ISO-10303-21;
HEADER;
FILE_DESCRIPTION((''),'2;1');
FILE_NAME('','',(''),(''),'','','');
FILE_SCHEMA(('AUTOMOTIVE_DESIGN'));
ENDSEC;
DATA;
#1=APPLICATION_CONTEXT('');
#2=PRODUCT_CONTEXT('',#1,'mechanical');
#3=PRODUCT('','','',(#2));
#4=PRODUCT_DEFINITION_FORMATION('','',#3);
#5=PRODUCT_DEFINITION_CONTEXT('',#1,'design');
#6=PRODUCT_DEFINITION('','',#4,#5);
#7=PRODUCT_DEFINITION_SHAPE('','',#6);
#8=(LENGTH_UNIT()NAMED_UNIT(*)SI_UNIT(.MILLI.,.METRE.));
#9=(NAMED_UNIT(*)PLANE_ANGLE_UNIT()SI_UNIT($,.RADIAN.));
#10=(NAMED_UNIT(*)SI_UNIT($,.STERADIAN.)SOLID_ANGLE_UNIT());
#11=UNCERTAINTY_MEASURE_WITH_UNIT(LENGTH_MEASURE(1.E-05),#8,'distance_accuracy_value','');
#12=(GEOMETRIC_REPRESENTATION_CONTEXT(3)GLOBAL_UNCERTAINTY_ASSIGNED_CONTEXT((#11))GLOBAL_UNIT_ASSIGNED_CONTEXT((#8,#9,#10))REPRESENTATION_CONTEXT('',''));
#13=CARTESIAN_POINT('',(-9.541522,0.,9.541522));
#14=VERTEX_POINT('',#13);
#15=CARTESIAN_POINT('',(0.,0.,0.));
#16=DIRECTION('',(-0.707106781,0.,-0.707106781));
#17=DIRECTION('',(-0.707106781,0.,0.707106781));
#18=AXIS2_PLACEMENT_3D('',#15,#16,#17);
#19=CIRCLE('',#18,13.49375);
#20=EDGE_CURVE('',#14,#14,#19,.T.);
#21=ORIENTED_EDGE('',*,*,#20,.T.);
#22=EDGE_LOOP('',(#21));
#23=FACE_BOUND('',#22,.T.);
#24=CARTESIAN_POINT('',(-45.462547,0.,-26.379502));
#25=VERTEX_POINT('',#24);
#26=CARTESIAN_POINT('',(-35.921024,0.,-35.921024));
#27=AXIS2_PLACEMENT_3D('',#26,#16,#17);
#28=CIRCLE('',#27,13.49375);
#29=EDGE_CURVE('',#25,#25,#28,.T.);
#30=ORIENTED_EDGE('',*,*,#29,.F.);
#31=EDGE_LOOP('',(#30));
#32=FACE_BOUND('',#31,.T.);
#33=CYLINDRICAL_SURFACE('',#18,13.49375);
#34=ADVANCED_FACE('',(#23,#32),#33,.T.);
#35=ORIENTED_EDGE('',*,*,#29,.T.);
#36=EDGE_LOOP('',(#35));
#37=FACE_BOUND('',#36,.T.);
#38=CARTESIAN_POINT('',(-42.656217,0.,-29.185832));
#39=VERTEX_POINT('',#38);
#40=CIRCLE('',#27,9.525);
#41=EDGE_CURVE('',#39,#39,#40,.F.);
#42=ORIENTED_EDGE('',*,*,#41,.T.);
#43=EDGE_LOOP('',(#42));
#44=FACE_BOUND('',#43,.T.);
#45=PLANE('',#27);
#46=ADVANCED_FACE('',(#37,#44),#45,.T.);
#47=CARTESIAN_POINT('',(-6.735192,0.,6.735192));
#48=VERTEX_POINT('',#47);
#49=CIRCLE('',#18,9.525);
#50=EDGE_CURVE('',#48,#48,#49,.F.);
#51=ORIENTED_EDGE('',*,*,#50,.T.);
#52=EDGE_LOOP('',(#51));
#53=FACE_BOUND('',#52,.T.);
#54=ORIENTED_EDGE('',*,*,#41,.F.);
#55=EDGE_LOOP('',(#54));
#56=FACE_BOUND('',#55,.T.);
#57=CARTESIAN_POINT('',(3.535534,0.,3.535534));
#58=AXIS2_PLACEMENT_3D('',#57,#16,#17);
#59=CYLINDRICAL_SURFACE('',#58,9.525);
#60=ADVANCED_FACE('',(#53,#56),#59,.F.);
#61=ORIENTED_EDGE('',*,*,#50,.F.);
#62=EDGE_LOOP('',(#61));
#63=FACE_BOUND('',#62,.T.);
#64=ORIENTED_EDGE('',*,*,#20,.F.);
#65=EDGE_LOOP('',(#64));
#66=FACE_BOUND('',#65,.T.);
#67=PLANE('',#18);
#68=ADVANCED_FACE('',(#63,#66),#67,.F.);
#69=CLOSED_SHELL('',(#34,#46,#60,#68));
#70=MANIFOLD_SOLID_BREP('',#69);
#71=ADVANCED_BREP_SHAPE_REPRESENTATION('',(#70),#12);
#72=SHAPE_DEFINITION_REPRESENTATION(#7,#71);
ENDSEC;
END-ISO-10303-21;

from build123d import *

# Parameters (mm, degrees)
SWEEP1_PROFILE_R     = 13.49375
CUT_SWEEP1_PROFILE_R = 9.525


with BuildPart() as part:
    # Sweep1: sweep along a path in Sketch1
    with BuildLine(Plane(origin=(0, 0, 0), x_dir=(1, 0, 0), z_dir=(0, 1, 0))) as sweep1_path:
        Line((0, 0), (-35.921024484, 35.921024484))
    # Sweep1 profile (on start of the path) → Sweep1 (sweep)
    with BuildSketch(Plane(origin=(0, 0, 0), x_dir=(-0.7071067811865476, 0, 0.7071067811865476), z_dir=(-0.7071067811865476, 0, -0.7071067811865476))):
        Circle(SWEEP1_PROFILE_R)
    sweep(path=sweep1_path.line)

    # Cut-Sweep1: sweep along a path in Sketch1<3>
    with BuildLine(Plane(origin=(0, 0, 0), x_dir=(1, 0, 0), z_dir=(0, 1, 0))) as cut_sweep1_path:
        Line((0, 0), (-35.921024484, 35.921024484))
    # Cut-Sweep1 profile (on start of the path) → Cut-Sweep1 (sweep, cut)
    with BuildSketch(Plane(origin=(0, 0, 0), x_dir=(-0.7071067811865476, 0, 0.7071067811865476), z_dir=(-0.7071067811865476, 0, -0.7071067811865476))):
        Circle(CUT_SWEEP1_PROFILE_R)
    sweep(path=cut_sweep1_path.line, mode=Mode.SUBTRACT)


solid = part.part
